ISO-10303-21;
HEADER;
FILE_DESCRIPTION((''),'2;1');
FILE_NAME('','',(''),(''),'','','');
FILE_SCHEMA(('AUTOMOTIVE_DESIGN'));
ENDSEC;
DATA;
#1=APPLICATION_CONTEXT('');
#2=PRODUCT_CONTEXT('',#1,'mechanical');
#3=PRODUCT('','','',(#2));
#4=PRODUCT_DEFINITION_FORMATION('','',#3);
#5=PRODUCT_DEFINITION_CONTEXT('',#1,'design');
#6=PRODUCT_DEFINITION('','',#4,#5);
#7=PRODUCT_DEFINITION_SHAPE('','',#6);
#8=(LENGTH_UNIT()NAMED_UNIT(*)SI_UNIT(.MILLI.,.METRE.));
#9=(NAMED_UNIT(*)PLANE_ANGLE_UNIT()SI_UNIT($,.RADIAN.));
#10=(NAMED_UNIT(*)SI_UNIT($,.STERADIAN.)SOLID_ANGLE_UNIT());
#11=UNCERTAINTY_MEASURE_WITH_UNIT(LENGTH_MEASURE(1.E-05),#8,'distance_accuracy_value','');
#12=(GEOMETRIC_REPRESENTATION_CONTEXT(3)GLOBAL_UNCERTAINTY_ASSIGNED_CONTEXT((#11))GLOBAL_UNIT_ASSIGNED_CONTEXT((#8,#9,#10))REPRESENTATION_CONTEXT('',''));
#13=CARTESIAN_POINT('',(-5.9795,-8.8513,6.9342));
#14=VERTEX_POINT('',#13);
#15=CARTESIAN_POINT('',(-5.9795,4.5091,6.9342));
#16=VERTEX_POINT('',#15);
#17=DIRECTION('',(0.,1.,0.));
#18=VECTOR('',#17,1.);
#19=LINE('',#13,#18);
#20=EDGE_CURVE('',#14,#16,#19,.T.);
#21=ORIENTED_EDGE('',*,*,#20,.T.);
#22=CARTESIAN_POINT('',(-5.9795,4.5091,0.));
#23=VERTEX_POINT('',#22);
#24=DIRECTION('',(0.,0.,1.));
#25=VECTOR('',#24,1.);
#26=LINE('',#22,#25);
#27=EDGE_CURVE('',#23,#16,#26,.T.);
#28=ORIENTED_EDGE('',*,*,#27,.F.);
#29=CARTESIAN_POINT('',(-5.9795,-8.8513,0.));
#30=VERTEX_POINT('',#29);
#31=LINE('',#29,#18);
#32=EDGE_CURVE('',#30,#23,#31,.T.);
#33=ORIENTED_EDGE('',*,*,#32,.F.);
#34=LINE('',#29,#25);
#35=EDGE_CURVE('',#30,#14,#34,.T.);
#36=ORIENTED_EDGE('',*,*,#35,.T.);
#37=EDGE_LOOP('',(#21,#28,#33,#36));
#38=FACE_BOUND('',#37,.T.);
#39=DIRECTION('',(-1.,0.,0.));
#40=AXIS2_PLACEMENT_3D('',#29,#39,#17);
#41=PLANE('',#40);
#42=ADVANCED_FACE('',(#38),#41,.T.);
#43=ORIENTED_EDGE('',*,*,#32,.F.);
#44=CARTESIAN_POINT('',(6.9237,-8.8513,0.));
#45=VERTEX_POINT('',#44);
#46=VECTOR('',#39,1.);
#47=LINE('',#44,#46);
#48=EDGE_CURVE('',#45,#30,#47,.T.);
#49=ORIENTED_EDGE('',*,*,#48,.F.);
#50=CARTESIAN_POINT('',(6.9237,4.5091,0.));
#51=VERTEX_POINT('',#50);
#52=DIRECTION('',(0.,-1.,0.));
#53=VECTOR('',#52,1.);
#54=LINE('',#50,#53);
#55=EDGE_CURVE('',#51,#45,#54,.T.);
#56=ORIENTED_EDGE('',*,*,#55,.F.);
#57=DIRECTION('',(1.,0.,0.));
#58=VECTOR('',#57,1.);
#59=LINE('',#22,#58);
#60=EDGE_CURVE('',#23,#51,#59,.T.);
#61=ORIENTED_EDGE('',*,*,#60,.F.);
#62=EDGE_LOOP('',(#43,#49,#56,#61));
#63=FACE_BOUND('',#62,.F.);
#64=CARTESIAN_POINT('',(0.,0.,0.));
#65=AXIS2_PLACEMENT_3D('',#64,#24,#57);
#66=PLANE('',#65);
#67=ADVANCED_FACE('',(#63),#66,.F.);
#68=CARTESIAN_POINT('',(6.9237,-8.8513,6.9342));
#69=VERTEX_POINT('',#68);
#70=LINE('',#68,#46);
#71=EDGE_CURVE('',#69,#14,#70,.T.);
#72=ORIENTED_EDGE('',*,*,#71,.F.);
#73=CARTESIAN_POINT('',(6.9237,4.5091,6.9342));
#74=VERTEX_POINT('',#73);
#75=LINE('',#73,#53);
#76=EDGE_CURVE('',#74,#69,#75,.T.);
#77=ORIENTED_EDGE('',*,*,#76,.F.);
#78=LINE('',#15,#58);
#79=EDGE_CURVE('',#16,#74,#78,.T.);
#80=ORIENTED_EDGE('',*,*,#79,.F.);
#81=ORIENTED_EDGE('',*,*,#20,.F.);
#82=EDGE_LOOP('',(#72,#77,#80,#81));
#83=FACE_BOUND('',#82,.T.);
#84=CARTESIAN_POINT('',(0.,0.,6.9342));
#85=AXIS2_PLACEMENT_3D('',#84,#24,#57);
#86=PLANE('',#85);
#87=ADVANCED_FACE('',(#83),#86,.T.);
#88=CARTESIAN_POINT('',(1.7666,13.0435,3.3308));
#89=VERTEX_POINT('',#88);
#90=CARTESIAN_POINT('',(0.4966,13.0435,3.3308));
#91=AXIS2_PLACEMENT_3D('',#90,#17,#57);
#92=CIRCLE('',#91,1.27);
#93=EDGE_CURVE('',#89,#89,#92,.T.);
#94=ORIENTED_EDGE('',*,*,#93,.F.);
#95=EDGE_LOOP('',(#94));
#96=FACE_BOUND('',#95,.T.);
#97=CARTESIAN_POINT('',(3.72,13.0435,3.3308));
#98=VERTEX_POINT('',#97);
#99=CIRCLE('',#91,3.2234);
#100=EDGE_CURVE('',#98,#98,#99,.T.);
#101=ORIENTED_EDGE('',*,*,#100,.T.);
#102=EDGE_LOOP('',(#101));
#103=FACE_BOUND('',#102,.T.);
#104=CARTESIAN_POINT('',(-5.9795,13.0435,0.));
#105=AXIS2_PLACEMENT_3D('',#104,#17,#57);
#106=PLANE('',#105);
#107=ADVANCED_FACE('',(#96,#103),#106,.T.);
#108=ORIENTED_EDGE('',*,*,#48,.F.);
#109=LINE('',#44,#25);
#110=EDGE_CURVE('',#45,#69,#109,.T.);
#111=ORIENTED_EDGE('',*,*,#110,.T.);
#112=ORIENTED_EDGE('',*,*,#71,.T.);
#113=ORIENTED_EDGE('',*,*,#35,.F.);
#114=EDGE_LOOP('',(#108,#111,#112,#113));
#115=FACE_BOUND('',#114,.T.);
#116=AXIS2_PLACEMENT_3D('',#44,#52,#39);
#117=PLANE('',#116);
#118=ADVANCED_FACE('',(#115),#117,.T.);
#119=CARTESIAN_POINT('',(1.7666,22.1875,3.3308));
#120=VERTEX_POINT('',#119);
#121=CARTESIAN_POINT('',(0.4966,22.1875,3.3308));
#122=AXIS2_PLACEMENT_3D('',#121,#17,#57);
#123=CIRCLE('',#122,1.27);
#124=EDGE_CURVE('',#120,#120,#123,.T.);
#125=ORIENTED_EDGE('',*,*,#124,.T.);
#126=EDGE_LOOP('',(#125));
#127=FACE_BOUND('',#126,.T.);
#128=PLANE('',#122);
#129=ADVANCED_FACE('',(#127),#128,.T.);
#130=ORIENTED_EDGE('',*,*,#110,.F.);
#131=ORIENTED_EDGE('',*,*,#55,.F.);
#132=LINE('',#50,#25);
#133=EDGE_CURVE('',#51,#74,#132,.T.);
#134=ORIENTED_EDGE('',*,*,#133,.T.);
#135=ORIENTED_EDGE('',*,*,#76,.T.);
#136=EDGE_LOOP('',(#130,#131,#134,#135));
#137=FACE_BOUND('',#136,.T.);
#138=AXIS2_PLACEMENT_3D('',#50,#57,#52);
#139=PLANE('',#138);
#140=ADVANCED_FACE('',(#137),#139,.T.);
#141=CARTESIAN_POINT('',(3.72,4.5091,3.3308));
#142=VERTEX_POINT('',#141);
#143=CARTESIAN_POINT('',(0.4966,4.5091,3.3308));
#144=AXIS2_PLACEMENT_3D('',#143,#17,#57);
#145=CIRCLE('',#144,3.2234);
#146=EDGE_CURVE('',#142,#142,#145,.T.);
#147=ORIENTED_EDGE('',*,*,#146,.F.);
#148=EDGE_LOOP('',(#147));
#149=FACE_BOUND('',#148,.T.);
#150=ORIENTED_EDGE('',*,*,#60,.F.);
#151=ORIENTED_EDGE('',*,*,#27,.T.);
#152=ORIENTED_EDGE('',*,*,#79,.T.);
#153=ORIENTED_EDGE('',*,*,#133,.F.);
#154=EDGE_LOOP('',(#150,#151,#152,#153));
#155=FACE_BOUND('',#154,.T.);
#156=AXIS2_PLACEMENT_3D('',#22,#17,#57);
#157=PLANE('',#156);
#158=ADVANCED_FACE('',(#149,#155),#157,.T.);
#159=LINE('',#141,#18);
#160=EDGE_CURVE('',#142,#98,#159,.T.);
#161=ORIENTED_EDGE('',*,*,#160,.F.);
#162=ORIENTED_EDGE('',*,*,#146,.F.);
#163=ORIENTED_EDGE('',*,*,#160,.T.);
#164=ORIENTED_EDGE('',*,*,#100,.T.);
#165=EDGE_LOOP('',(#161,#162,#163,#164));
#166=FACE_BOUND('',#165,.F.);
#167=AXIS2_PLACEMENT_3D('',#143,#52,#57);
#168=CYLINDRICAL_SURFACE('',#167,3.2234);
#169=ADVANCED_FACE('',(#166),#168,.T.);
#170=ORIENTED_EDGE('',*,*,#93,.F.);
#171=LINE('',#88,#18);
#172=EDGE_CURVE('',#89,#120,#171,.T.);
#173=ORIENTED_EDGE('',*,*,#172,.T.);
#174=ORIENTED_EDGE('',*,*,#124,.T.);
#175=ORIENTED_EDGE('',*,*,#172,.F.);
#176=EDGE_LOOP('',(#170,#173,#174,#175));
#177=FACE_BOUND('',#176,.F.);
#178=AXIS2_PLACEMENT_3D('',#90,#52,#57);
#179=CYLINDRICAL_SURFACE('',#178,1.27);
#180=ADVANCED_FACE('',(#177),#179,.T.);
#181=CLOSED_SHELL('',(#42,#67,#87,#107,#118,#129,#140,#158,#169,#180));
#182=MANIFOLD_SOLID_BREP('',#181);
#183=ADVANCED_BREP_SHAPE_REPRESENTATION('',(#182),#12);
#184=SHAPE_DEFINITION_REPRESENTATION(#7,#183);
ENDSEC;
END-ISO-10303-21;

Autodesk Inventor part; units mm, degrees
ref_plane "YZ Plane" through (0, 0, 0) normal (1, 0, 0) x (0, 1, 0)
ref_plane "XZ Plane" through (0, 0, 0) normal (0, 1, 0) x (-1, 0, 0)
ref_plane "XY Plane" through (0, 0, 0) normal (0, 0, 1) x (1, 0, 0)
sketch "Sketch1" plane through (0, 0, 0) normal (0, 0, 1) x (1, 0, 0)
  line L0 (-5.9795, 4.5091) -> (6.9237, 4.5091)
  line L1 (6.9237, 4.5091) -> (6.9237, -8.8513)
  line L2 (6.9237, -8.8513) -> (-5.9795, -8.8513)
  line L3 (-5.9795, -8.8513) -> (-5.9795, 4.5091)
  point P0 (0, 0)
  dimension "d0" = 12.9032
  dimension "d1" = 13.3604
extrude "Extrusion1" add sketch "Sketch1" along normal blind 6.9342
sketch "Sketch2" plane through (-5.9795, 4.5091, 0) normal (0, 1, 0) x (1, 0, 0)
  circle A0 centre (6.4761, -3.3308) radius 3.2234
  point P0 (5.9795, 0)
  dimension "d4" = 6.4469
extrude "Extrusion2" add sketch "Sketch2" along normal blind 8.5344
sketch "Sketch3" plane through (0.4966, 13.0435, 3.3308) normal (0, 1, 0) x (1, 0, 0)
  circle A0 centre (0, 0) radius 1.27
  point P0 (-0.4966, 3.3308)
  dimension "d7" = 2.54
extrude "Extrusion3" add sketch "Sketch3" along normal blind 9.144
sketch "Sketch4" plane through (-5.9795, -8.8513, 0) normal (-1, 0, 0) x (0, 0, 1)
  point P0 (0, 8.8513)
properties part number "Aidan Sherry Switch"
